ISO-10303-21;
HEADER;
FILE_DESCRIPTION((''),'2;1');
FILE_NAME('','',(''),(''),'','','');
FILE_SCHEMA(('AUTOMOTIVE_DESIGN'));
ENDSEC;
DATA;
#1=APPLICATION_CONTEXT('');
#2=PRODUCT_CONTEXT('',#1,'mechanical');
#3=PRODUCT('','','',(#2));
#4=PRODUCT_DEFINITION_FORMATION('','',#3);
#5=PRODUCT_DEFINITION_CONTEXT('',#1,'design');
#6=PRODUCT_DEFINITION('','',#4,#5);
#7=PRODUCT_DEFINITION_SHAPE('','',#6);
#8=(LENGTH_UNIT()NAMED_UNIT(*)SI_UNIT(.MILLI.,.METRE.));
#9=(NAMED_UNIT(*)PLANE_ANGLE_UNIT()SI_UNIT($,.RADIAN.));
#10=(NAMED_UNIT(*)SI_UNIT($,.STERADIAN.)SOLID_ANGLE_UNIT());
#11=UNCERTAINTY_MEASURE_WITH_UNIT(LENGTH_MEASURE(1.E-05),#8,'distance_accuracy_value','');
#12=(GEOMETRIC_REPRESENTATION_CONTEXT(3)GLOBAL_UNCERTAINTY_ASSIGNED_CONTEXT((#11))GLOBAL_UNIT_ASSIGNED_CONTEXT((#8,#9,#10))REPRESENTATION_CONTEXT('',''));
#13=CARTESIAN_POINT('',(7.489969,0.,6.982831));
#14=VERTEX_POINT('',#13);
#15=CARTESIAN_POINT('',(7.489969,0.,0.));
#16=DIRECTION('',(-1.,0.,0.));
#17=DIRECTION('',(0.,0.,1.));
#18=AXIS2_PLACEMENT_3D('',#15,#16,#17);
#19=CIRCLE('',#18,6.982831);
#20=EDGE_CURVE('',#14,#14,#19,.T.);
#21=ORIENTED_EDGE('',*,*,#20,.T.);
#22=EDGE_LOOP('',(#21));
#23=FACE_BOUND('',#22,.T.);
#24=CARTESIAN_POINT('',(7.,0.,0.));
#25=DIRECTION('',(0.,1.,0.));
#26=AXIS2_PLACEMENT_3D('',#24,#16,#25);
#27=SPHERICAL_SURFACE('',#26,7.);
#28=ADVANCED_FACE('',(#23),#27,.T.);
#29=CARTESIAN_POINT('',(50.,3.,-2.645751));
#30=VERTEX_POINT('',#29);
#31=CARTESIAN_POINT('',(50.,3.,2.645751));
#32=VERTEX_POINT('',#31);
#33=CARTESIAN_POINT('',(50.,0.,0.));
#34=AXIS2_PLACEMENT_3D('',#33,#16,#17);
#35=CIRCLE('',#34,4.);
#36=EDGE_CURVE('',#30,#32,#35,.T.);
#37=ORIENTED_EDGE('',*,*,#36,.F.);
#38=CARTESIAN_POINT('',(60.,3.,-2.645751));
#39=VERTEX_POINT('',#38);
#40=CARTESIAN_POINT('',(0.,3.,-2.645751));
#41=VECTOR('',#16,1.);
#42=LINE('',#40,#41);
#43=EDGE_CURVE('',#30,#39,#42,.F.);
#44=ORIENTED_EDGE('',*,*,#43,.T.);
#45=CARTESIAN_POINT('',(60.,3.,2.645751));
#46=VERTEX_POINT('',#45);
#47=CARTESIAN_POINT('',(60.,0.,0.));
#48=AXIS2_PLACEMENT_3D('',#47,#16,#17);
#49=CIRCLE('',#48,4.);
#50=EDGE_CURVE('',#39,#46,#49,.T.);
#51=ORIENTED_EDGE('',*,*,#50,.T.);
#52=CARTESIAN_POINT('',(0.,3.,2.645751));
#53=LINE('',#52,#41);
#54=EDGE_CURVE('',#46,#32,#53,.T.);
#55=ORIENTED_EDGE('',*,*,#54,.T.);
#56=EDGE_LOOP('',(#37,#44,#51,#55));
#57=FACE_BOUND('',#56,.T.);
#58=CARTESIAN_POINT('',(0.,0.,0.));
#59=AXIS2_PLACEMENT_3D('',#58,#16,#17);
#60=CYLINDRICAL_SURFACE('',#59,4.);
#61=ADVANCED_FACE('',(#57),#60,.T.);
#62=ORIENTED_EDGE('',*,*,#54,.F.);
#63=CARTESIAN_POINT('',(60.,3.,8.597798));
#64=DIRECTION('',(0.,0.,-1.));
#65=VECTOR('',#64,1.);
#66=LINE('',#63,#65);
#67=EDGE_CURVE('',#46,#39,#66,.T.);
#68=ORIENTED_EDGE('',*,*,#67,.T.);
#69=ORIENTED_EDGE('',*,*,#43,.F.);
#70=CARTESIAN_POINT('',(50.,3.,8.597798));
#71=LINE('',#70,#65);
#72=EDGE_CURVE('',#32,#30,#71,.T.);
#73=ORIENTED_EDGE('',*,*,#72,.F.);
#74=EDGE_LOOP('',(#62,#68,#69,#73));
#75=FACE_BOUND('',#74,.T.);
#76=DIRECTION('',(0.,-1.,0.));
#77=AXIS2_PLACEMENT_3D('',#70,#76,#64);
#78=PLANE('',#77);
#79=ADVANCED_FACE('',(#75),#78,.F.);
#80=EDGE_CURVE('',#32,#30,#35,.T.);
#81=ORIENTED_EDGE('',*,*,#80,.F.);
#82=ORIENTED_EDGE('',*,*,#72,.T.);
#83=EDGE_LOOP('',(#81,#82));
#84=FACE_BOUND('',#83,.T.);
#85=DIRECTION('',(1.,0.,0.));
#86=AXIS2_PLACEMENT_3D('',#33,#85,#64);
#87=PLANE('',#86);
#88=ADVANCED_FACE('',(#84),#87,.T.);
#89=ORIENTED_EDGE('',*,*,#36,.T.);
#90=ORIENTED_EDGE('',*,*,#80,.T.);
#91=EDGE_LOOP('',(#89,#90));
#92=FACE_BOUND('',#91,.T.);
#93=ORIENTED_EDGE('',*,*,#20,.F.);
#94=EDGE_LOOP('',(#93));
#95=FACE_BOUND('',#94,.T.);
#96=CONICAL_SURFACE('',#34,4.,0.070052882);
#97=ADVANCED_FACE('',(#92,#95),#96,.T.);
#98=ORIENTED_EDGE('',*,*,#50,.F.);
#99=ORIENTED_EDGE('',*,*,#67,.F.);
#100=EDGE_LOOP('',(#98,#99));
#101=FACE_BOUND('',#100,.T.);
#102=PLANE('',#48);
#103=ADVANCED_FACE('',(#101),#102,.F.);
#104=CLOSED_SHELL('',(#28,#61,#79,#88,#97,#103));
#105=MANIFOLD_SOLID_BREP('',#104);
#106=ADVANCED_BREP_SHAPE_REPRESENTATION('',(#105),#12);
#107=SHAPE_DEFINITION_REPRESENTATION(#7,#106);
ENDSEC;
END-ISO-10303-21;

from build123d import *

# Parameters (mm, degrees)
IZIM3_W               = 17.291982939
IZIM3_H               = 2.660305068
KES_EKSTR_ZYON1_DEPTH = 10


with BuildPart() as part:
    # Çizim1 → Döndür1 (revolve)
    with BuildSketch(Plane.XY):
        with BuildLine():
            Line((0, 0), (60, 0))
            Line((60, 0), (60, 4))
            Line((60, 4), (50, 4))
            Line((50, 4), (7.4899692, 6.982831101))
            ThreePointArc((7.4899692, 6.982831101), (2.226625114, 5.120048066), (0, 0))
        make_face()
    revolve(axis=Axis((0, 0, 0), (1, 0, 0)))

    # Çizim3 → Kes-Ekstrüzyon1 (cut)
    with BuildSketch(Plane(origin=(60, 0, 0), x_dir=(0, 0, -1), z_dir=(1, 0, 0))):
        with Locations((0.048193933, 4.330152534)):
            Rectangle(IZIM3_W, IZIM3_H)
    extrude(amount=-KES_EKSTR_ZYON1_DEPTH, mode=Mode.SUBTRACT)


solid = part.part
